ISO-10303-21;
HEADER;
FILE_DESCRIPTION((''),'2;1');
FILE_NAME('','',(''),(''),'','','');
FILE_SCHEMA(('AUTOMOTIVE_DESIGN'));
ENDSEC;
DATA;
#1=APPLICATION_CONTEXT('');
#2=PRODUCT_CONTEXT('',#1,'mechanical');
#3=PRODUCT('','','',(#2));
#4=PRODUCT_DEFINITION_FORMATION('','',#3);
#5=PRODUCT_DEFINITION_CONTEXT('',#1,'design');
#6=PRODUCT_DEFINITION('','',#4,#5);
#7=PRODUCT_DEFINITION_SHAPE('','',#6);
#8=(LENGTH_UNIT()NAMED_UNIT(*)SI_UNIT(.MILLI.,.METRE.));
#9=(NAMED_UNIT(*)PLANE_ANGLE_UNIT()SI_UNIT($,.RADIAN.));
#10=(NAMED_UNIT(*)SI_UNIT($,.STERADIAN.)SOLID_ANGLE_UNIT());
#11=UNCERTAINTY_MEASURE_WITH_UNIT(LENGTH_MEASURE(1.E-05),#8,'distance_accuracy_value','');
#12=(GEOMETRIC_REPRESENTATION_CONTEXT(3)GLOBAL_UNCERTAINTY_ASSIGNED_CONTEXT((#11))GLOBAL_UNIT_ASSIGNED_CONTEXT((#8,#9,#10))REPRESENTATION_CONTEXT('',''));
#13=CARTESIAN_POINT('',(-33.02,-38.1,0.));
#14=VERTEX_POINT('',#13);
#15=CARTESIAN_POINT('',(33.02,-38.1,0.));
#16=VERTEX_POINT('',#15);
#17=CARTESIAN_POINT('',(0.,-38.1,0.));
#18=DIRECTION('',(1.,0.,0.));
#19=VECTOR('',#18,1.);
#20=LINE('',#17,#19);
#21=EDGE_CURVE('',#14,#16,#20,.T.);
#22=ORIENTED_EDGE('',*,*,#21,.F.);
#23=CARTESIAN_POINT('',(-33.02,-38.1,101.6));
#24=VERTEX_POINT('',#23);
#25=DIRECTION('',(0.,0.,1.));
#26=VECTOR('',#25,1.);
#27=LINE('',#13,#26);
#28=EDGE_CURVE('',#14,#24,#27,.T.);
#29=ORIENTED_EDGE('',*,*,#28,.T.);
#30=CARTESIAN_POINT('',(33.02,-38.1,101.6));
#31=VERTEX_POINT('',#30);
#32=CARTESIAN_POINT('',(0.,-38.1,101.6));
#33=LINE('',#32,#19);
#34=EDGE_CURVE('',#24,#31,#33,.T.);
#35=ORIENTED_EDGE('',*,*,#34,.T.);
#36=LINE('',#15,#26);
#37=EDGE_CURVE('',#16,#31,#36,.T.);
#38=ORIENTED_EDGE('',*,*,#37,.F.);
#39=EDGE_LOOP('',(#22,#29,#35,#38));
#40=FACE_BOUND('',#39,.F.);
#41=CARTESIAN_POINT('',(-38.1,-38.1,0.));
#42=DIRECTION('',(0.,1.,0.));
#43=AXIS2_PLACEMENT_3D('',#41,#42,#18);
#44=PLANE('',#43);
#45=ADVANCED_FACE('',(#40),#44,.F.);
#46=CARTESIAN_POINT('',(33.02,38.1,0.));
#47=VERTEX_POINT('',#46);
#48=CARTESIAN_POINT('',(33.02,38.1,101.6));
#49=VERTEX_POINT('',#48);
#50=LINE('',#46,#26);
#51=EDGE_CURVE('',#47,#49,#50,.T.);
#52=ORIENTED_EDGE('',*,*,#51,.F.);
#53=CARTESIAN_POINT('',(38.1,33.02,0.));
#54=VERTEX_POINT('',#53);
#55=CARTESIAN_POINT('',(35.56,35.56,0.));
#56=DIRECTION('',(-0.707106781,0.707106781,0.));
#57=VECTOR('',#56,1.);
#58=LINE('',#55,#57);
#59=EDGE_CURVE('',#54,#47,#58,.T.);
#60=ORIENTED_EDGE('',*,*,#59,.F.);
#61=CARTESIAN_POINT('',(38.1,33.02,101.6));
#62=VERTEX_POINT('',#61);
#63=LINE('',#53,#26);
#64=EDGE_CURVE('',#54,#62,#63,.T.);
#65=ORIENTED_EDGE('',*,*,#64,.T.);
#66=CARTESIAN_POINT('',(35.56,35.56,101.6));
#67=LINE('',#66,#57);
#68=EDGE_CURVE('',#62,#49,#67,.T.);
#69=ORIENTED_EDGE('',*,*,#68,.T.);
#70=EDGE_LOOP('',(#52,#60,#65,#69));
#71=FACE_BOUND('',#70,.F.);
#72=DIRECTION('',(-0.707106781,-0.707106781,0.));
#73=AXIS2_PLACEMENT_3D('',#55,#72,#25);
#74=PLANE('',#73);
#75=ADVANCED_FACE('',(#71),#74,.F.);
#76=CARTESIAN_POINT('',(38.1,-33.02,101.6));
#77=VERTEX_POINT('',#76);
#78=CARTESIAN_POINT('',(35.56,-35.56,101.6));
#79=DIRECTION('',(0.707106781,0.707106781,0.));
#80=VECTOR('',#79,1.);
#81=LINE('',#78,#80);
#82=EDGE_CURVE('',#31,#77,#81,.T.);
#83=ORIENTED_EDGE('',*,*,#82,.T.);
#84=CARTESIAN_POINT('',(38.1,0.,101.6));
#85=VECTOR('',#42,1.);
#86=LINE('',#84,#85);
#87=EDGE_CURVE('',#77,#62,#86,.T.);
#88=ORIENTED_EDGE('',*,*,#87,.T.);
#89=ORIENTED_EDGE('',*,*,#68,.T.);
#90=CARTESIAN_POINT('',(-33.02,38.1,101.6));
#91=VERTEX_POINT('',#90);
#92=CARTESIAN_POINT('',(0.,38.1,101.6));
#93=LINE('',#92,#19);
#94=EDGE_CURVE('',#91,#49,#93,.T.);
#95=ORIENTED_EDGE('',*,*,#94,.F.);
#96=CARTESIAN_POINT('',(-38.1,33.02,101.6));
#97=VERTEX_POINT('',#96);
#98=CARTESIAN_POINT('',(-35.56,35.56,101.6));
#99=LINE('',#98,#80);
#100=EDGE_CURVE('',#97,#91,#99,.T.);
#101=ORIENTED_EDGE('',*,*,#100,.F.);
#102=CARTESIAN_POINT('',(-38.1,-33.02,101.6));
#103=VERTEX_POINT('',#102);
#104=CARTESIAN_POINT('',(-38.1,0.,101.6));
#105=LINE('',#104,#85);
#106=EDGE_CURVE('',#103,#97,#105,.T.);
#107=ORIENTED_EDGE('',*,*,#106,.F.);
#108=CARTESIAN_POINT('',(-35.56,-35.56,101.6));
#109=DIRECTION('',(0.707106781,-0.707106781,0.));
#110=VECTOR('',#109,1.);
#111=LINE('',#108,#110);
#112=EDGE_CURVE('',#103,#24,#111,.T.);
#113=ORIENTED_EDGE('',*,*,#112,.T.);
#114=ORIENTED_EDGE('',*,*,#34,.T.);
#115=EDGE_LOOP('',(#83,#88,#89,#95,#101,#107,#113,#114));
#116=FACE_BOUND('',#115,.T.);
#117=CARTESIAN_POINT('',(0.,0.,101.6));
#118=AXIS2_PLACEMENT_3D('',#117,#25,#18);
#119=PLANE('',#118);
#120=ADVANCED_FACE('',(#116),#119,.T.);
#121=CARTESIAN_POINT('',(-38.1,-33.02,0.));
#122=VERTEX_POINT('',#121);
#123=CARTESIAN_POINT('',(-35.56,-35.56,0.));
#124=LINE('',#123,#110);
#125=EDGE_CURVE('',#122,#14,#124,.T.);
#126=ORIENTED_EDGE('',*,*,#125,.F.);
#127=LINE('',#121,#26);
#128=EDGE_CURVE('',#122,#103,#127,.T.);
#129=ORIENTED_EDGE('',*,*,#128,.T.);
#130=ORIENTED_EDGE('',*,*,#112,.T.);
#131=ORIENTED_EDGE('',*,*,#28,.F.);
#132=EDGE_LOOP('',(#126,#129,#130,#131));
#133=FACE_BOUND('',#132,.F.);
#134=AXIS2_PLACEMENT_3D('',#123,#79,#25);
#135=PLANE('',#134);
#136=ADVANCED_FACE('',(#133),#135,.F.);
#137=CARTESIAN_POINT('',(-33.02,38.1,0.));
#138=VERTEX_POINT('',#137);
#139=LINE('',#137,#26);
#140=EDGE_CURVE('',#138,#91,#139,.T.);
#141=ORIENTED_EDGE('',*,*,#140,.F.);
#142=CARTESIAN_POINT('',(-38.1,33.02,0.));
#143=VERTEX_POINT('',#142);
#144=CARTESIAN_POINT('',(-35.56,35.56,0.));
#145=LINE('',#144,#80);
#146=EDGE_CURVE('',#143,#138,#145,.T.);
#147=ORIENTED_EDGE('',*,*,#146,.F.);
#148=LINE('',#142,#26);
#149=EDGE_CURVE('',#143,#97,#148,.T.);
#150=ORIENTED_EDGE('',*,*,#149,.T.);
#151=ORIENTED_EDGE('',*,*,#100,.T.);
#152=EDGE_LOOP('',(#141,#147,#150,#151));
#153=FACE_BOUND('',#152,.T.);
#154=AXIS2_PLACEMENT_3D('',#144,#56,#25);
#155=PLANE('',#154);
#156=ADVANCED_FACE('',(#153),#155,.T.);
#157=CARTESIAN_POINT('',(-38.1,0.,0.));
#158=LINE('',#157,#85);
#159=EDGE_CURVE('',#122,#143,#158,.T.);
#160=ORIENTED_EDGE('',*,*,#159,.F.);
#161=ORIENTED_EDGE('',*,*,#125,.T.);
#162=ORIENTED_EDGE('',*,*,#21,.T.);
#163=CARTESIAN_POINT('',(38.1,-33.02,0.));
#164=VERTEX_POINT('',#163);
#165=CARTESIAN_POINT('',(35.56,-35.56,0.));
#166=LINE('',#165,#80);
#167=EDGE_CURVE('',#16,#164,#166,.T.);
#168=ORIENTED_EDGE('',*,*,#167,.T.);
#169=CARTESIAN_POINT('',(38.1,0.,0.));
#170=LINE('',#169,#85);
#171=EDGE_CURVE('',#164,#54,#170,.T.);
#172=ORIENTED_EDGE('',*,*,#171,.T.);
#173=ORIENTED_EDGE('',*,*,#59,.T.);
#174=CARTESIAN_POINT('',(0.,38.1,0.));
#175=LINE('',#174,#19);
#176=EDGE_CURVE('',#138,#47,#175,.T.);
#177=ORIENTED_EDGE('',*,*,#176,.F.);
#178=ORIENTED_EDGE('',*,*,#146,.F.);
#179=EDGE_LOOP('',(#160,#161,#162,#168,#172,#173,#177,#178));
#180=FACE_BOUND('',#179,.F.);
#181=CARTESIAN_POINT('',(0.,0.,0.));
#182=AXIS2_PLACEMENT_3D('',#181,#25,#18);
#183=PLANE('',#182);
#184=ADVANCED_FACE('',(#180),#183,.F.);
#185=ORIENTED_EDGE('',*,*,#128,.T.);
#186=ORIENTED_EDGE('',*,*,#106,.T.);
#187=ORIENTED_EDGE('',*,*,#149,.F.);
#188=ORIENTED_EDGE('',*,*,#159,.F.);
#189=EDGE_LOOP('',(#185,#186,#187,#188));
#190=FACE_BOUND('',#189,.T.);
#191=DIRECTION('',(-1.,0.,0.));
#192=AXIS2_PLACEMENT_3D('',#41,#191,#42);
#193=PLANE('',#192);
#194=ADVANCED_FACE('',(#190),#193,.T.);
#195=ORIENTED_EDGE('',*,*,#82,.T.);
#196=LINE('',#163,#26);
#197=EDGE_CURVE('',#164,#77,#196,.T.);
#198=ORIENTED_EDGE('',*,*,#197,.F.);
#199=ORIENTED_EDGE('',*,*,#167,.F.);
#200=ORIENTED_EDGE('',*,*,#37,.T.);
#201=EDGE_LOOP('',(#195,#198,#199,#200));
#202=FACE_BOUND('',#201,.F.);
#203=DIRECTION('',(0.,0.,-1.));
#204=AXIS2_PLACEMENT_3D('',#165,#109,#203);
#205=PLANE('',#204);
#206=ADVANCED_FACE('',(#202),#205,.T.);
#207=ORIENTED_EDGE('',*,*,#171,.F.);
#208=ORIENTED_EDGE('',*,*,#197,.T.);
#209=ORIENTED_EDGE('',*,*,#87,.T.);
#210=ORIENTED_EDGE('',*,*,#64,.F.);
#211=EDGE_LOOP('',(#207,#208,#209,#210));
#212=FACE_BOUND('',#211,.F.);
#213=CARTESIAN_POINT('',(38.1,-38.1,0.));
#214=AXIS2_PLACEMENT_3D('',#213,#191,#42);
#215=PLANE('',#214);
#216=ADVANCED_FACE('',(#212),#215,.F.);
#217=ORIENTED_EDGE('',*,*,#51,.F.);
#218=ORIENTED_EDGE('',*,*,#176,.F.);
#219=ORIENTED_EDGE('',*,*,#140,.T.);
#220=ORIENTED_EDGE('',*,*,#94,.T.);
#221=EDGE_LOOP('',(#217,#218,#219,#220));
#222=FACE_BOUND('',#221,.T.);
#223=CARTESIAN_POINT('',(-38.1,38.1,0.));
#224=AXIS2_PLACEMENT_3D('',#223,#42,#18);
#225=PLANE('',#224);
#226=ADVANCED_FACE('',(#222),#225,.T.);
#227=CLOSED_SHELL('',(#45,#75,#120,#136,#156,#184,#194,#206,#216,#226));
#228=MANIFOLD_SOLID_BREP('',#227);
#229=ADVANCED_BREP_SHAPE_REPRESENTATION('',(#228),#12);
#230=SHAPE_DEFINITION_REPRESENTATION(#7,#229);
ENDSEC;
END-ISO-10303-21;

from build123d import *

# Parameters (mm, degrees)
F0_W     = 76.2
F0_H     = 76.2
F1_DEPTH = 101.6
F2_SIZE  = 5.08


with BuildPart() as f1:
    # F0 (on Top) → F1 (new body)
    with BuildSketch(Plane.XY):
        Rectangle(F0_W, F0_H)
    extrude(amount=F1_DEPTH)

    # F2
    f2_edges = [f1.edges().sort_by_distance(p)[0] for p in [
        (-38.1, -38.1, 50.8),
        (-38.1, 38.1, 50.8),
        (38.1, -38.1, 50.8),
        (38.1, 38.1, 50.8),
    ]]
    chamfer(f2_edges, length=F2_SIZE)


solid = f1.part
